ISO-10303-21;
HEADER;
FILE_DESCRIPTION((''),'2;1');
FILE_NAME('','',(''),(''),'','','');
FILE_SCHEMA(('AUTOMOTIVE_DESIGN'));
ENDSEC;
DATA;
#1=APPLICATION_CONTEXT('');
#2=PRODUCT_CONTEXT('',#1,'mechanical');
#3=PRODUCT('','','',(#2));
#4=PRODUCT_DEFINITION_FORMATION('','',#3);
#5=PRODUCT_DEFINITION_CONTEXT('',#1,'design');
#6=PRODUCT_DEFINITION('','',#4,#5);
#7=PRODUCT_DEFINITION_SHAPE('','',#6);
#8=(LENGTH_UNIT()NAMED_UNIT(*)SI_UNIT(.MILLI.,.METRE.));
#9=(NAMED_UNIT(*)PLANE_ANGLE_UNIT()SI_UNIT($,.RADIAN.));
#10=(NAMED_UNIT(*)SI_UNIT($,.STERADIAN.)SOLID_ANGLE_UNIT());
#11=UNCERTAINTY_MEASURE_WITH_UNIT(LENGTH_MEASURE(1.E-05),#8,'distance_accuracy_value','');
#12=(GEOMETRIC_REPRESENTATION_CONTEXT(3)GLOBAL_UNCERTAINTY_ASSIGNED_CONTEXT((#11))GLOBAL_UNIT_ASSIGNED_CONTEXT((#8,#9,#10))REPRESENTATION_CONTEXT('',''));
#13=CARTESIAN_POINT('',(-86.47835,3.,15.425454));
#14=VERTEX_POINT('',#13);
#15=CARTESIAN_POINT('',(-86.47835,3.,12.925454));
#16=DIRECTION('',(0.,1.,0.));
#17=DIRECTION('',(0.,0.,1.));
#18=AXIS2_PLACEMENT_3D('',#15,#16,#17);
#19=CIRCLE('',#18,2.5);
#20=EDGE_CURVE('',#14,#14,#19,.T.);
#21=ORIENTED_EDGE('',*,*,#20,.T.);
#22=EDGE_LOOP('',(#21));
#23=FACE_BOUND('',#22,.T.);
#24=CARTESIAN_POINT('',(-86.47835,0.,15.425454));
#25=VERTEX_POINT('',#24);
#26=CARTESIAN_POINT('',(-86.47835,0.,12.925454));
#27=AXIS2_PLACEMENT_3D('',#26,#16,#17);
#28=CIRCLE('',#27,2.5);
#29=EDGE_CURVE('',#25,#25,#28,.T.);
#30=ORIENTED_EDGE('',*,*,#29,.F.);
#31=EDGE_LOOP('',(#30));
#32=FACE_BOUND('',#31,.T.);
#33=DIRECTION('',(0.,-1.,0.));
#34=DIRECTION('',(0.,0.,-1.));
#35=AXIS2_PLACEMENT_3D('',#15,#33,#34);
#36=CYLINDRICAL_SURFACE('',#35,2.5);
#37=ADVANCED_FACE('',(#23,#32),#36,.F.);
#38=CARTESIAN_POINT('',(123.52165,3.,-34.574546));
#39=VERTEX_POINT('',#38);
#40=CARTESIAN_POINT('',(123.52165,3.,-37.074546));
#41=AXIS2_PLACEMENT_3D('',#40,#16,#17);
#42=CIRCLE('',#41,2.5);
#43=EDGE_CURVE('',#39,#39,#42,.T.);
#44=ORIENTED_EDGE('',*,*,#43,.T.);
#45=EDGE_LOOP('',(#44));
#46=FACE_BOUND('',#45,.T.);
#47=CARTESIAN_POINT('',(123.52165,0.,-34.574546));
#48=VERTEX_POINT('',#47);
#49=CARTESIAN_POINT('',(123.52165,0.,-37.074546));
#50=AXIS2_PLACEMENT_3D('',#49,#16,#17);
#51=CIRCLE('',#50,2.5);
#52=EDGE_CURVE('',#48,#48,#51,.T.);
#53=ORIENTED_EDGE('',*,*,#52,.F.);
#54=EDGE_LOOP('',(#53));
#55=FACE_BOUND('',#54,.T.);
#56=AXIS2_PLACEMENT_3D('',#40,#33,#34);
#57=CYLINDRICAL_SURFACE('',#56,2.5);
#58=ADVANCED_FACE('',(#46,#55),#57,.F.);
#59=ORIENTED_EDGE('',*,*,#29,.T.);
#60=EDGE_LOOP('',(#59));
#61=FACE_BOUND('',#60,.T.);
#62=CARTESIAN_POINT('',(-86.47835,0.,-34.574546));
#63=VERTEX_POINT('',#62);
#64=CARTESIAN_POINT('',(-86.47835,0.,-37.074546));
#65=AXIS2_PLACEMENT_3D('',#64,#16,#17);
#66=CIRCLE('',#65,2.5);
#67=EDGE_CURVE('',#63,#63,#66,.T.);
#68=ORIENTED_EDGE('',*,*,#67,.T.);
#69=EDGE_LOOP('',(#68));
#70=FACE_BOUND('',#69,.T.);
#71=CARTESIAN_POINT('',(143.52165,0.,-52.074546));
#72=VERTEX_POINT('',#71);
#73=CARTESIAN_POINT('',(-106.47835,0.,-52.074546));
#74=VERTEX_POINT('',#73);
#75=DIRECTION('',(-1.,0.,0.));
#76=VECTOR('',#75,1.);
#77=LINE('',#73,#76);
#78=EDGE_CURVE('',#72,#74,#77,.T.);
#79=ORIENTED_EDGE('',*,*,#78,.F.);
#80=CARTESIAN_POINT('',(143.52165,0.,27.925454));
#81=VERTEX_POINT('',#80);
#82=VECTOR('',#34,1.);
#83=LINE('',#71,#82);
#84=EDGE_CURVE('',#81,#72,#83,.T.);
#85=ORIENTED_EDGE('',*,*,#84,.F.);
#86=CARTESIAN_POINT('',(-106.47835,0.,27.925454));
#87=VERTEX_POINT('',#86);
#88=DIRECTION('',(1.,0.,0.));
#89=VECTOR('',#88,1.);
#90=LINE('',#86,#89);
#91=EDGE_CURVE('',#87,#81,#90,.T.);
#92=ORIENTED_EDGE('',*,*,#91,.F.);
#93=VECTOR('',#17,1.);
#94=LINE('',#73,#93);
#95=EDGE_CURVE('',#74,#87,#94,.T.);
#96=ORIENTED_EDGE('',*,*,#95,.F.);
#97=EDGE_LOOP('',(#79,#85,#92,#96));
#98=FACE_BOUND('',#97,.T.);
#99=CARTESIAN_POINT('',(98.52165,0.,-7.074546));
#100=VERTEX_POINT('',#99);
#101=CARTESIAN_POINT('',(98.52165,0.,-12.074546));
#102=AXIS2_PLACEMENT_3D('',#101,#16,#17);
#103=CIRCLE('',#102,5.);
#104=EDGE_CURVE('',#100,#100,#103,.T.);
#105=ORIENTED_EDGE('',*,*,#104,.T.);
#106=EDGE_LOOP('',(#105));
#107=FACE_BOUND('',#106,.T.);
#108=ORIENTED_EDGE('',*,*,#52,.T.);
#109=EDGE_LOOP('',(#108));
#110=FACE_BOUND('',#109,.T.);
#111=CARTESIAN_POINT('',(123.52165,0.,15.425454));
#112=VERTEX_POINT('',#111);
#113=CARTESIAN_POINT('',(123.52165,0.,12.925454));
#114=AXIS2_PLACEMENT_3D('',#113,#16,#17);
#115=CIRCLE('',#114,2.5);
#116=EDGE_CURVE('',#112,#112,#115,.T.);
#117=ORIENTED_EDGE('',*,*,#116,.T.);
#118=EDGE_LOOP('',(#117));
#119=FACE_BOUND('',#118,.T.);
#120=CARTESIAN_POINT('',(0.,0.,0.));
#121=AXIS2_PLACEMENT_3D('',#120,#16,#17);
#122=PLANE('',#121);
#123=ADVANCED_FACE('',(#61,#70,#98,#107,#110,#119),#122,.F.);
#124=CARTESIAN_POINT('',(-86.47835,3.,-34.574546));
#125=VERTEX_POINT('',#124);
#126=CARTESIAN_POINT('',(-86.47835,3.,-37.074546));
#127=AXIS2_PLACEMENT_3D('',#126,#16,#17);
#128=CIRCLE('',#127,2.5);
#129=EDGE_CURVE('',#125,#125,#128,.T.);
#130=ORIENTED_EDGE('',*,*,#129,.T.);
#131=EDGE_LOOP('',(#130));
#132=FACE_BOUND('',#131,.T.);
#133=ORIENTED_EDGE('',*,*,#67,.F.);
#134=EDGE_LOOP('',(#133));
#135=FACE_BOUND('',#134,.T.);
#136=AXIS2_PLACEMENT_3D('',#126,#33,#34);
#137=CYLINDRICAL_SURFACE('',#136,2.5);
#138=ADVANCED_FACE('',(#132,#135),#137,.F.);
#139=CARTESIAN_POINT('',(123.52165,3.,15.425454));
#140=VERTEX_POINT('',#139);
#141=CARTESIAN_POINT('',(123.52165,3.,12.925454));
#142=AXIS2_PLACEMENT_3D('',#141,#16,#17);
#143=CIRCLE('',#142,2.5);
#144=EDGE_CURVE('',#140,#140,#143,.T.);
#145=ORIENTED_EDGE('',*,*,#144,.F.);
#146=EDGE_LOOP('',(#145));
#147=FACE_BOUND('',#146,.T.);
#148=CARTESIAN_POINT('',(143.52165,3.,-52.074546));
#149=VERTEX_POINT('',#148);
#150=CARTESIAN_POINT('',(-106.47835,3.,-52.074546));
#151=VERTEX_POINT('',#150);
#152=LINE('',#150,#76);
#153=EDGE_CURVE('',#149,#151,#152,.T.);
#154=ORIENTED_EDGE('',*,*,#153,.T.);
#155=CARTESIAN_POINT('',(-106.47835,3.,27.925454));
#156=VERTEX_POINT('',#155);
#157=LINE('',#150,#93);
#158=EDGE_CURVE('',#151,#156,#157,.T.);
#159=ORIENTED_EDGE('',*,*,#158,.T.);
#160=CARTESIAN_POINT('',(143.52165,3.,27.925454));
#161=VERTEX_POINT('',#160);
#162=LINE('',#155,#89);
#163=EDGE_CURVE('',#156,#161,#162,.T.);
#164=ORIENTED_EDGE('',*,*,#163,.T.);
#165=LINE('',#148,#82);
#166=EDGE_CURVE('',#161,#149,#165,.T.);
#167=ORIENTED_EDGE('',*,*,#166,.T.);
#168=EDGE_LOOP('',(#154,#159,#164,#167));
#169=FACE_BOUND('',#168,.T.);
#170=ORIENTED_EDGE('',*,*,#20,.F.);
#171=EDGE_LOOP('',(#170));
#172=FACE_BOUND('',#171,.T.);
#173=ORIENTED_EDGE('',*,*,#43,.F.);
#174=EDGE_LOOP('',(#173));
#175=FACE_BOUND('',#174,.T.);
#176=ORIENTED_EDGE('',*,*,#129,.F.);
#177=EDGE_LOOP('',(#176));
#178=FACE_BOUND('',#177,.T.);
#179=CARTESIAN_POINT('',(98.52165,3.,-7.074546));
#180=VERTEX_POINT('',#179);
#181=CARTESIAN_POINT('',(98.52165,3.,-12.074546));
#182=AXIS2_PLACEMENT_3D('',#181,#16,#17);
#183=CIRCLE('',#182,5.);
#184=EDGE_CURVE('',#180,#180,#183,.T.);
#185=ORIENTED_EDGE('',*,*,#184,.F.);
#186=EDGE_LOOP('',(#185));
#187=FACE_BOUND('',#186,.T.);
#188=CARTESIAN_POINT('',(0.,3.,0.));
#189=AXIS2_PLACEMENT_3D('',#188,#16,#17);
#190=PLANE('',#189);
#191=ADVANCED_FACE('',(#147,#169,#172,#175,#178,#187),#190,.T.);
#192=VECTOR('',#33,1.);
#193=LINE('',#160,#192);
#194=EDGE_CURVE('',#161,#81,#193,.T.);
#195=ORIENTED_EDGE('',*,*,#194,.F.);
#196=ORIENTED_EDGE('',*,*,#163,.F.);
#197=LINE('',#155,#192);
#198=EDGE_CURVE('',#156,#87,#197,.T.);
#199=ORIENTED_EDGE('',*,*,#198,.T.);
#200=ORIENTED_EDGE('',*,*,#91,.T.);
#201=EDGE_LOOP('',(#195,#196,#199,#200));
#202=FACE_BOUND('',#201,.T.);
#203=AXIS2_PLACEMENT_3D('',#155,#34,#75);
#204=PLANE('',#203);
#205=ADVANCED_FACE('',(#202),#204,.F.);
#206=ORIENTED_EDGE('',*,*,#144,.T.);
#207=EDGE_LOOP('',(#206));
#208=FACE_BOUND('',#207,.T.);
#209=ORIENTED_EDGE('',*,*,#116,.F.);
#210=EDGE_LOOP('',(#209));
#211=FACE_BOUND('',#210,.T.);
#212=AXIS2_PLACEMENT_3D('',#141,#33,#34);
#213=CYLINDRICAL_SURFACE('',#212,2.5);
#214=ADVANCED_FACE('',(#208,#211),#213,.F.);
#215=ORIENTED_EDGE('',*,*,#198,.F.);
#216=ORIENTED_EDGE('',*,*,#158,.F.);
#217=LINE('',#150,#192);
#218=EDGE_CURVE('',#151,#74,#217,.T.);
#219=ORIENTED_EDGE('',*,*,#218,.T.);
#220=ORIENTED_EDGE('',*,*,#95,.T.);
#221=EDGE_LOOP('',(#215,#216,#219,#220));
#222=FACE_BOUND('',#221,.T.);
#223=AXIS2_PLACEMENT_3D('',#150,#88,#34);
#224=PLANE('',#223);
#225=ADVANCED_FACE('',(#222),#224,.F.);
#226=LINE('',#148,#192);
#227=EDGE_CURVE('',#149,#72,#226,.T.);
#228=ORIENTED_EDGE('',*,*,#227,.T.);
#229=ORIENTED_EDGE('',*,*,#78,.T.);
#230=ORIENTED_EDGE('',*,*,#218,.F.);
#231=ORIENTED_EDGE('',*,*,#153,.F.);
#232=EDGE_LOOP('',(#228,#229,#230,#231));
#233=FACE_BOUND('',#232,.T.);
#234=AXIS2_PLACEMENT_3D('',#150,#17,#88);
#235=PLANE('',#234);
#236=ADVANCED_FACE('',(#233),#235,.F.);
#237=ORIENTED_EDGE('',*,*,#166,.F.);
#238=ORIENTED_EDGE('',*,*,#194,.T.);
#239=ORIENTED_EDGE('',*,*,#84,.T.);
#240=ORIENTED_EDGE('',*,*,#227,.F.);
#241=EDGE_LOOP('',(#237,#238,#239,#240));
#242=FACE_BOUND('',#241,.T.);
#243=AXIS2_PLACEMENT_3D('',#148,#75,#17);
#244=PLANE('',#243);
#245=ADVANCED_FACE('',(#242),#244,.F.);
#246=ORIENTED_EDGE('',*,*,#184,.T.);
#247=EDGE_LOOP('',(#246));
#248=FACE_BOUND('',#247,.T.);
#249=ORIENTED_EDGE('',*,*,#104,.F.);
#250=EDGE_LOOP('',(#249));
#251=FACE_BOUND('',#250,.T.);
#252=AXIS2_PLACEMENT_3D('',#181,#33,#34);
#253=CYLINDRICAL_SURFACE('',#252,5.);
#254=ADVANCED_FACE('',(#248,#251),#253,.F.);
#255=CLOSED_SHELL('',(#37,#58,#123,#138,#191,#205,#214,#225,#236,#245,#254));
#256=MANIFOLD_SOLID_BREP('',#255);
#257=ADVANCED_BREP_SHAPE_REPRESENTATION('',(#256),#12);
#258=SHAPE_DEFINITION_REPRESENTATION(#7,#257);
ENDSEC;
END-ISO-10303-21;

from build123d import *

# Parameters (mm, degrees)
SKETCH1_W           = 250
SKETCH1_H           = 80
SKETCH1_R           = 2.5
SKETCH1_R_2         = 5
BOSS_EXTRUDE1_DEPTH = 3


with BuildPart() as part:
    # Sketch1 → Boss-Extrude1 (new body)
    with BuildSketch(Plane(origin=(0, 0, 0), x_dir=(1, 0, 0), z_dir=(0, 1, 0))):
        with Locations((18.521650391, 12.074546046)):
            Rectangle(SKETCH1_W, SKETCH1_H)
        with Locations(Location((-86.478349609, 37.074546046, 0), (0, 0, 270))):
            Circle(SKETCH1_R, mode=Mode.SUBTRACT)
        with Locations(Location((-86.478349609, -12.925453954, 0), (0, 0, 270))):
            Circle(SKETCH1_R, mode=Mode.SUBTRACT)
        with Locations(Location((123.521650391, 37.074546046, 0), (0, 0, 270))):
            Circle(SKETCH1_R, mode=Mode.SUBTRACT)
        with Locations(Location((123.521650391, -12.925453954, 0), (0, 0, 270))):
            Circle(SKETCH1_R, mode=Mode.SUBTRACT)
        with Locations(Location((98.521650391, 12.074546046, 0), (0, 0, 270))):
            Circle(SKETCH1_R_2, mode=Mode.SUBTRACT)
    extrude(amount=BOSS_EXTRUDE1_DEPTH)


solid = part.part
